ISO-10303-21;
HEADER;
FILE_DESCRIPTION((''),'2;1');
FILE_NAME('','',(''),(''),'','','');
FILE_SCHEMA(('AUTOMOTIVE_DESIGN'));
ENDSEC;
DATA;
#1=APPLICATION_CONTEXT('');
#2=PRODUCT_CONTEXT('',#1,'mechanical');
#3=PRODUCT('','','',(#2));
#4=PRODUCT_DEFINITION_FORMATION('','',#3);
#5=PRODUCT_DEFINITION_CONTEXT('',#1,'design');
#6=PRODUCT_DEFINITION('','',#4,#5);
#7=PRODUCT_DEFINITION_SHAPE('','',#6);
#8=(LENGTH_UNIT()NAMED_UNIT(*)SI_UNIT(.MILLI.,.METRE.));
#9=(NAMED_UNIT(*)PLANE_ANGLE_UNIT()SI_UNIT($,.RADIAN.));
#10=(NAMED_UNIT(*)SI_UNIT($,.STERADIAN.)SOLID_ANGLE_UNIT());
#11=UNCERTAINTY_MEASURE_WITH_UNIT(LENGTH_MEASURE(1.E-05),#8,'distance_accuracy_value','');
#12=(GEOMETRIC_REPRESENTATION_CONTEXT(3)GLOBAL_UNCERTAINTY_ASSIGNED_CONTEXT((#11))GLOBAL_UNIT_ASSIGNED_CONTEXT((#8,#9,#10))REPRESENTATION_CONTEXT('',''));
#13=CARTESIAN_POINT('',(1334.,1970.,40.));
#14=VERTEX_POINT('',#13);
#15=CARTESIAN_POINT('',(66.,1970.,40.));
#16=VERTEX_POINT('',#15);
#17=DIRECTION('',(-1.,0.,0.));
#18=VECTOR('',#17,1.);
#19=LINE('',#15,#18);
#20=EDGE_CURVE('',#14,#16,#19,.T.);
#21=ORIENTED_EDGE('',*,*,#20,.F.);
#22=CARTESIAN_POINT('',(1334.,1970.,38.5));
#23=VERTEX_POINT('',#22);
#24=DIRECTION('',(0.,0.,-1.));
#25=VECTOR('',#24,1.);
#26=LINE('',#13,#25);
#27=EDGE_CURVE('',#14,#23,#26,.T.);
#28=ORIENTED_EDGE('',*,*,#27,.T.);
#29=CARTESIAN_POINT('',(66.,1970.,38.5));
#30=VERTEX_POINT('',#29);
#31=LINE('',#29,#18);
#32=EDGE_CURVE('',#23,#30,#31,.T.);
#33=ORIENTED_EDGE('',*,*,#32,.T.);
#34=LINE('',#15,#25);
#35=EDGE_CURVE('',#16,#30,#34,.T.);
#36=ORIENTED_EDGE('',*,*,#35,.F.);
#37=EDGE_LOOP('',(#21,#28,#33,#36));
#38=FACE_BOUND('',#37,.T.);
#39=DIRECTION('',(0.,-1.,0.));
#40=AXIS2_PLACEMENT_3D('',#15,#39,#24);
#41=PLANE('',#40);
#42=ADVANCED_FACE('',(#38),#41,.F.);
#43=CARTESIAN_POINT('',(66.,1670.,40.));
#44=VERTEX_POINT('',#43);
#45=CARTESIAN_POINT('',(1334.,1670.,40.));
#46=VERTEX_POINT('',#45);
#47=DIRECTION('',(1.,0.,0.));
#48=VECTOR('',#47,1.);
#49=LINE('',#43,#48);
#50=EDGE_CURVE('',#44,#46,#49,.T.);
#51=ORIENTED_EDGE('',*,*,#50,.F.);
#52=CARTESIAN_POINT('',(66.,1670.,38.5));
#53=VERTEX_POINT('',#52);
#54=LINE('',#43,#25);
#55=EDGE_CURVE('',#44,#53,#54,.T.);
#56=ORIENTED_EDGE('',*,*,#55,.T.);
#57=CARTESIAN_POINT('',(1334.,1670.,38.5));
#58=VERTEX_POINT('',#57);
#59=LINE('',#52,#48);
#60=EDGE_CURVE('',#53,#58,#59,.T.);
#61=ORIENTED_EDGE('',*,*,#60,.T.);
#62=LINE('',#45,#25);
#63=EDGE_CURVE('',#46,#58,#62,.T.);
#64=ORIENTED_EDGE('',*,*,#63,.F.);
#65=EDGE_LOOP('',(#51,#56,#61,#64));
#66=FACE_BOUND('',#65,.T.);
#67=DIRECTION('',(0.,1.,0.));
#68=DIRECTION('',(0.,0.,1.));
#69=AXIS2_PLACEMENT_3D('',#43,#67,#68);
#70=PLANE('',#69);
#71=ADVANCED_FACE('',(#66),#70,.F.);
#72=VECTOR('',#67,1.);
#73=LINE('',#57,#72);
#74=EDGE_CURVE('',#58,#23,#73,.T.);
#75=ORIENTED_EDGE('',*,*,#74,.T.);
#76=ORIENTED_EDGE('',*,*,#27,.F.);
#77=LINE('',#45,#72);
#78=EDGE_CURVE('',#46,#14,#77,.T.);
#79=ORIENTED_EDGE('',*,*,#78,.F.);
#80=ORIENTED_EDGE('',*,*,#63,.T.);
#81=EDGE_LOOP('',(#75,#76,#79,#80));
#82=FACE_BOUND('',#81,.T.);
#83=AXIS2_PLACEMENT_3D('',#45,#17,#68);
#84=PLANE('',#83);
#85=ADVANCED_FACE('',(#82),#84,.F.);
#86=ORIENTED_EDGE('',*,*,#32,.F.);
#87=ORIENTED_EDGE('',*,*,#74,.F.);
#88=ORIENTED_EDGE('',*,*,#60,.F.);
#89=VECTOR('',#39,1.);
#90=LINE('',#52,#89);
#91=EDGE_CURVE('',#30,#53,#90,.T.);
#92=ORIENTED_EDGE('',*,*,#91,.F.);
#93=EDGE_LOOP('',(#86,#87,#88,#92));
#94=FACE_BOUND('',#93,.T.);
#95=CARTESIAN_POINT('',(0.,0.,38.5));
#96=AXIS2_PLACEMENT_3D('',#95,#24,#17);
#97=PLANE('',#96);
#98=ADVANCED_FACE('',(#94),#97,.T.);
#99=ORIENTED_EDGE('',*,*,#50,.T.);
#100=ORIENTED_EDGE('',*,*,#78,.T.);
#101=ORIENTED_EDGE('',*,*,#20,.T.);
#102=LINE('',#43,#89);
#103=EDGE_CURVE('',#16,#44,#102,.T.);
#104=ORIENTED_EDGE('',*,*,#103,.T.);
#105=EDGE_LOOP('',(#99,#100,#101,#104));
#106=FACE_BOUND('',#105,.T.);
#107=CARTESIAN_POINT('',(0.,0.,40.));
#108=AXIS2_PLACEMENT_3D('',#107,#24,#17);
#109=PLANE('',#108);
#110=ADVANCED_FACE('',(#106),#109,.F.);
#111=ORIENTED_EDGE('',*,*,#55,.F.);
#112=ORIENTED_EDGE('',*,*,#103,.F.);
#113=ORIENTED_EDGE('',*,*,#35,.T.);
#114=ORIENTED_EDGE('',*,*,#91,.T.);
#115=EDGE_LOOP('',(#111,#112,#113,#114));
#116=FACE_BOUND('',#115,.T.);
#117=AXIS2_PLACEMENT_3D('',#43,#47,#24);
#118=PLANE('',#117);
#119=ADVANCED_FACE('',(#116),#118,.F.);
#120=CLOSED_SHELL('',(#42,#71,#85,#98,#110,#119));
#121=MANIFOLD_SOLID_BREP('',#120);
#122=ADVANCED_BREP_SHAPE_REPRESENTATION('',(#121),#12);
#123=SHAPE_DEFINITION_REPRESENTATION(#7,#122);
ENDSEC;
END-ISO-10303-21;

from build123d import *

# Parameters (mm, degrees)
STORE_PANEL_SOGUTMA_1_START = 38.5
SKETCH1_W                   = 1268
SKETCH1_H                   = 300
STORE_PANEL_SOGUTMA_1_DEPTH = 1.5


with BuildPart() as part:
    # Sketch1 → STORE_panel_sogutma_1 (new body)
    with BuildSketch(Plane.XY.offset(STORE_PANEL_SOGUTMA_1_START)):
        with Locations((700, 1820)):
            Rectangle(SKETCH1_W, SKETCH1_H)
    extrude(amount=STORE_PANEL_SOGUTMA_1_DEPTH)


solid = part.part
